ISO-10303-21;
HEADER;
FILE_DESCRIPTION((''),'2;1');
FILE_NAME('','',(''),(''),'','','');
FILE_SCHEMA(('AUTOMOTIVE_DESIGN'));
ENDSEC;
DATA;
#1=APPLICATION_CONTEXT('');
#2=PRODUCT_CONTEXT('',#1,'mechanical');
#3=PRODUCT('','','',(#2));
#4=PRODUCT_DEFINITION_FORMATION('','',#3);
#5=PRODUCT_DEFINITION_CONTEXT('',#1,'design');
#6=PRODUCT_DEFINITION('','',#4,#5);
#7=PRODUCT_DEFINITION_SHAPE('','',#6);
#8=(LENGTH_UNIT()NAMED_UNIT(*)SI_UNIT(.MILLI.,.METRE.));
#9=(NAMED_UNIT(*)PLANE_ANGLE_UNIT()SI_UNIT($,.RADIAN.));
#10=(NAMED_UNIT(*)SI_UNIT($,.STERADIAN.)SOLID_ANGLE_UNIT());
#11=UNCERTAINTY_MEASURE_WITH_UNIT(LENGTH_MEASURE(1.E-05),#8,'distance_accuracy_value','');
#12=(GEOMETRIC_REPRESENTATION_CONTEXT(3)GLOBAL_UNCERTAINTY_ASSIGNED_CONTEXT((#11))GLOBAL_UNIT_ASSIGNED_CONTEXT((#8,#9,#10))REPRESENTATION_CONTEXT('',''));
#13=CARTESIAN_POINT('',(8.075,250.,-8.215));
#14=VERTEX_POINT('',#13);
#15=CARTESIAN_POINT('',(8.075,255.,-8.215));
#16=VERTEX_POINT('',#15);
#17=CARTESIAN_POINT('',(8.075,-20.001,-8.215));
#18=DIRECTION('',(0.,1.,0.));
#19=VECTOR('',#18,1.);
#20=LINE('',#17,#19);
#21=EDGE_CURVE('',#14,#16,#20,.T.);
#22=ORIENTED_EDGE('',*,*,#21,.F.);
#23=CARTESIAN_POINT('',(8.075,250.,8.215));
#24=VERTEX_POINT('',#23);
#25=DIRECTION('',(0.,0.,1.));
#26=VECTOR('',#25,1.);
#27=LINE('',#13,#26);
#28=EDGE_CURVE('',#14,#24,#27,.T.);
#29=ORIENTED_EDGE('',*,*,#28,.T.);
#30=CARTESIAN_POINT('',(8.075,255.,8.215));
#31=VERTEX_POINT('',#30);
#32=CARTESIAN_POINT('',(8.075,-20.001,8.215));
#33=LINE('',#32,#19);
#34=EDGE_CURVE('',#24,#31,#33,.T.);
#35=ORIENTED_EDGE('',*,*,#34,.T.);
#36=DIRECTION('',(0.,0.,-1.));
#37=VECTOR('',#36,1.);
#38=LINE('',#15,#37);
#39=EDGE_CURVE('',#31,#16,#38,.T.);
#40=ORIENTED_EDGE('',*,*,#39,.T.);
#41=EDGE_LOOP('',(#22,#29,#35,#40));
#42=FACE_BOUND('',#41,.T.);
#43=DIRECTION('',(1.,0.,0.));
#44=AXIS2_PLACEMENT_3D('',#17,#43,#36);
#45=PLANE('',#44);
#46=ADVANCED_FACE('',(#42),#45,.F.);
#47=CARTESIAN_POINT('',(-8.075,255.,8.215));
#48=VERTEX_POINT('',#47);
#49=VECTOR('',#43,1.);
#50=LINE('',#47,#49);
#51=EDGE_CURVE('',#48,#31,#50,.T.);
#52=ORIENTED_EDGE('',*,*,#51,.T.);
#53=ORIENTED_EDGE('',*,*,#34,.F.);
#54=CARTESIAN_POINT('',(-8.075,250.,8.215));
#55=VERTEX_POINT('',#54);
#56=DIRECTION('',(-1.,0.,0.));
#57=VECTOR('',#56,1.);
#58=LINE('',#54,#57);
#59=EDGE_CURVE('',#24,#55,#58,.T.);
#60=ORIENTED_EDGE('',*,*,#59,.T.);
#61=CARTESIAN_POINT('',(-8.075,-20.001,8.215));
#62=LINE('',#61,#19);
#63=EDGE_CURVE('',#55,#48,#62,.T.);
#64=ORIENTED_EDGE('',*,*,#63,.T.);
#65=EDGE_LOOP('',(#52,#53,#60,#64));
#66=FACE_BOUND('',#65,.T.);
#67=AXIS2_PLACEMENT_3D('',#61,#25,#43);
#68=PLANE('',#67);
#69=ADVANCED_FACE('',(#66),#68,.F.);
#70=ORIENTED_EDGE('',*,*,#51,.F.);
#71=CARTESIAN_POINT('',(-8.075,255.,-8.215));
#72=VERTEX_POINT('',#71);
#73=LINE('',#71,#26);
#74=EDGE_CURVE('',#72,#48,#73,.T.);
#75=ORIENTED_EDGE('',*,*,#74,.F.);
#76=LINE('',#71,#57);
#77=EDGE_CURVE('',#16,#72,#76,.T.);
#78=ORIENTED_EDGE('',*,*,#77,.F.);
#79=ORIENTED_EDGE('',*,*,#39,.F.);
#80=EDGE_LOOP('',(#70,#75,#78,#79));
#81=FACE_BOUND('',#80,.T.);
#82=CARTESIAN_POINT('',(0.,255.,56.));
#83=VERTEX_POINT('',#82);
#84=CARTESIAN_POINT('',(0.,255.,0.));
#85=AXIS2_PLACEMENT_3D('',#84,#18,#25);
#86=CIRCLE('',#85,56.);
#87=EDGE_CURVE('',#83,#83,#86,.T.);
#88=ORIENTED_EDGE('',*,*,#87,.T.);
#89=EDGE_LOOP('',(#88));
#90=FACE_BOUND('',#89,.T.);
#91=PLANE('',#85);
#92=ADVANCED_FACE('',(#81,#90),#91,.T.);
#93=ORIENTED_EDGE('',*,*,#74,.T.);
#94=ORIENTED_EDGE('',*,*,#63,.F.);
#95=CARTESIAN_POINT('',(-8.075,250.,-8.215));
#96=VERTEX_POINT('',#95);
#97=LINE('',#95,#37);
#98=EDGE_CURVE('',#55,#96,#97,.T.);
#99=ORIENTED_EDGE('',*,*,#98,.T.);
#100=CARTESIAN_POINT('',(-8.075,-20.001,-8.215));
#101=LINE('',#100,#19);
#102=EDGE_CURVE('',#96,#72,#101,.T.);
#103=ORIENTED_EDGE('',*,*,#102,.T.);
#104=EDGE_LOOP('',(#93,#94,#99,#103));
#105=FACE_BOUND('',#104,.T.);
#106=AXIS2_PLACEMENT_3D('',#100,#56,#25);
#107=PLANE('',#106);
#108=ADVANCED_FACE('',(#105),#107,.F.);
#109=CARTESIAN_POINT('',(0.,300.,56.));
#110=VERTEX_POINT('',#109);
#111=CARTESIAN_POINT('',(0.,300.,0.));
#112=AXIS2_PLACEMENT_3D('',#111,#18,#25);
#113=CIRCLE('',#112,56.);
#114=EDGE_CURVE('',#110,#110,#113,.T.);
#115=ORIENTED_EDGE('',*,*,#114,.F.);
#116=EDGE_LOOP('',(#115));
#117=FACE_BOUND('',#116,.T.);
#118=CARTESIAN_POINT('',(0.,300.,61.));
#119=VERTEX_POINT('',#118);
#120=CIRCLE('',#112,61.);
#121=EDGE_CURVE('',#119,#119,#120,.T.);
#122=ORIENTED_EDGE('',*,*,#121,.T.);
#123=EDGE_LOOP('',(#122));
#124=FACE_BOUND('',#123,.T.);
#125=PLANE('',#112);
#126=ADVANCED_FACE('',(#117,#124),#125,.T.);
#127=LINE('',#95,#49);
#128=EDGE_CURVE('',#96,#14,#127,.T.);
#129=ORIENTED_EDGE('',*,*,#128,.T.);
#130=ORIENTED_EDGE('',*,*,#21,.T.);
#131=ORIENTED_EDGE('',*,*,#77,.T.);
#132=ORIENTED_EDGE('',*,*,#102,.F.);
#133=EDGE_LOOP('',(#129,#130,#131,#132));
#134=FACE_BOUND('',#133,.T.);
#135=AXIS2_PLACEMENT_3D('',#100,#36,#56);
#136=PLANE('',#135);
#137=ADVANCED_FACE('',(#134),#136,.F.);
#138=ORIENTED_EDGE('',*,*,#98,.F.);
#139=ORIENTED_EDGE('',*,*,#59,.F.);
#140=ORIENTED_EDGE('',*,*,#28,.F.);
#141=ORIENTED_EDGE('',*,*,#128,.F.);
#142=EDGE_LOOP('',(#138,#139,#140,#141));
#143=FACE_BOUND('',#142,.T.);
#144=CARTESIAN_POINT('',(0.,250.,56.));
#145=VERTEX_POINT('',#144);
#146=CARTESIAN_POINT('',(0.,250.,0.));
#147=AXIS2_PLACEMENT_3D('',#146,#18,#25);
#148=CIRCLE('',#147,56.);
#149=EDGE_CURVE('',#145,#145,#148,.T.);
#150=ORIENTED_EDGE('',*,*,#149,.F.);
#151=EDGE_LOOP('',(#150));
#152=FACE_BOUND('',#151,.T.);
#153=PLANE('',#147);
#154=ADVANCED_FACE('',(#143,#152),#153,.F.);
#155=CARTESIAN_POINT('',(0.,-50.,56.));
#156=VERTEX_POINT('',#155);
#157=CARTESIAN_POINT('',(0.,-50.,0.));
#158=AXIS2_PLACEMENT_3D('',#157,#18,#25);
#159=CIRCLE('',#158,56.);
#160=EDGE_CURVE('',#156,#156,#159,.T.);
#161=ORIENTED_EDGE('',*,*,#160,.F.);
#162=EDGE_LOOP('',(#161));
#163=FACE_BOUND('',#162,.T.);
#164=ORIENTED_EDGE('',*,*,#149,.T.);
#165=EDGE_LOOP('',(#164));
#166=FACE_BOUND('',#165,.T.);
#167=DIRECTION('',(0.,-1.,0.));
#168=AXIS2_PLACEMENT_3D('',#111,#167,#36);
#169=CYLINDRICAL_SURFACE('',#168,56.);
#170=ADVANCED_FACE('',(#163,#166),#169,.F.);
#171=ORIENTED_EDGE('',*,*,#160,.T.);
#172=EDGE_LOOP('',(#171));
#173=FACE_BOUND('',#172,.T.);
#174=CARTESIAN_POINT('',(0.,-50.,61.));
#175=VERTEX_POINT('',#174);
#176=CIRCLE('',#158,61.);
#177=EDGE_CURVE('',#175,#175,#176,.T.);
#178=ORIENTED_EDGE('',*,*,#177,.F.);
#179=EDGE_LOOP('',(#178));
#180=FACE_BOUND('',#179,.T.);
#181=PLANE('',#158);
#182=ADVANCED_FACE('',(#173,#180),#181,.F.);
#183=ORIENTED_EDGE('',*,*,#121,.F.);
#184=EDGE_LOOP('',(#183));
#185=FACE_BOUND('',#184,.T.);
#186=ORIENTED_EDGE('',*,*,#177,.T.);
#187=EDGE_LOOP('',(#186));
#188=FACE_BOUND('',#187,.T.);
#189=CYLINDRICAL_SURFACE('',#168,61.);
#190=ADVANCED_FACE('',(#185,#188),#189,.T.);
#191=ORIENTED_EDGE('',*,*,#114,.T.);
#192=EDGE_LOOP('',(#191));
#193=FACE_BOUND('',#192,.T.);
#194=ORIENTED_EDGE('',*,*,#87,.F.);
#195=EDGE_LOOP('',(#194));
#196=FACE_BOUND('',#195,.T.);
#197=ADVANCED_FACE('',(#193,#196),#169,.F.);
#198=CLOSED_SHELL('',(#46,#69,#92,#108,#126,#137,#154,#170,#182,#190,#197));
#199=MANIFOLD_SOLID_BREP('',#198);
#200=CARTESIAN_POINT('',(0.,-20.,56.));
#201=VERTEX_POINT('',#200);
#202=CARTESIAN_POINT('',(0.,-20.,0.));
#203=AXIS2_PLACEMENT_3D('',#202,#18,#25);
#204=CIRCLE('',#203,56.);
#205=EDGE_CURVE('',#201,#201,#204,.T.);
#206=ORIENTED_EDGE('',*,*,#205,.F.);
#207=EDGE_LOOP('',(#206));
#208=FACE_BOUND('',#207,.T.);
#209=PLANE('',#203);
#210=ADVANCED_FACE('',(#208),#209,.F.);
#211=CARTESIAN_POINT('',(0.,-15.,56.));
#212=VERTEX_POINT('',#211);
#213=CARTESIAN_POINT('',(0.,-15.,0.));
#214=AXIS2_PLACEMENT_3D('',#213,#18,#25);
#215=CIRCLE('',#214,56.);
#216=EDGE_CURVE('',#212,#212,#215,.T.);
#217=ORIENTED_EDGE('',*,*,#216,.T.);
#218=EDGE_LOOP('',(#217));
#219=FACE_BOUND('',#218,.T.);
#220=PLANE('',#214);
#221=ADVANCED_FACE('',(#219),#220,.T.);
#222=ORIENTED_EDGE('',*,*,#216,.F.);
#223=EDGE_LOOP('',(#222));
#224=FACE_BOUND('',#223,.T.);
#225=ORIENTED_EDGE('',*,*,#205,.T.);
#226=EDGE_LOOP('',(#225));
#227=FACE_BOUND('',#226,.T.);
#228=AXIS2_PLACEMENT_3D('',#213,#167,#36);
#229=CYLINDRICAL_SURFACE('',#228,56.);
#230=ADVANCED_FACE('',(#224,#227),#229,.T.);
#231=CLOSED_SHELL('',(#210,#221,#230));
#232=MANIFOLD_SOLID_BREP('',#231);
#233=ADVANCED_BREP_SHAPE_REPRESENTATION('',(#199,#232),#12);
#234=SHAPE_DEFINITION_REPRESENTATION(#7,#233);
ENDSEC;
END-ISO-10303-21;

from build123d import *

# Parameters (mm, degrees)
SKETCH1_R           = 61
SKETCH1_R_2         = 56
BOSS_EXTRUDE1_DEPTH = 300
SKETCH3_R           = 56
BOSS_EXTRUDE2_DEPTH = 5
SKETCH5_R           = 56
BOSS_EXTRUDE3_DEPTH = 5
SKETCH6_W           = 16.15
SKETCH6_H           = 16.43
CUT_EXTRUDE2_DEPTH  = 5
BOSS_EXTRUDE4_START = -50
SKETCH1_3_R         = 61
SKETCH1_3_R_2       = 56
BOSS_EXTRUDE4_DEPTH = 50


with BuildPart() as part:
    # Sketch1 → Boss-Extrude1 (new body)
    with BuildSketch(Plane(origin=(0, 0, 0), x_dir=(1, 0, 0), z_dir=(0, 1, 0))):
        with Locations(Location((0, 0, 0), (0, 0, 270))):
            Circle(SKETCH1_R)
        with Locations(Location((0, 0, 0), (0, 0, 270))):
            Circle(SKETCH1_R_2, mode=Mode.SUBTRACT)
    extrude(amount=BOSS_EXTRUDE1_DEPTH)

    # Sketch5 → Boss-Extrude3 (add)
    with BuildSketch(Plane(origin=(0, 250, 0), x_dir=(1, 0, 0), z_dir=(0, 1, 0))):
        with Locations(Location((0, 0, 0), (0, 0, 270))):
            Circle(SKETCH5_R)
    extrude(amount=BOSS_EXTRUDE3_DEPTH)

    # Sketch6 → Cut-Extrude2 (cut)
    with BuildSketch(Plane(origin=(0, 255, 0), x_dir=(1, 0, 0), z_dir=(0, 1, 0))):
        Rectangle(SKETCH6_W, SKETCH6_H)
    extrude(amount=-CUT_EXTRUDE2_DEPTH, mode=Mode.SUBTRACT)

    # Sketch1<3> → Boss-Extrude4 (add)
    with BuildSketch(Plane(origin=(0, 0, 0), x_dir=(1, 0, 0), z_dir=(0, 1, 0)).offset(BOSS_EXTRUDE4_START)):
        with Locations(Location((0, 0, 0), (0, 0, 270))):
            Circle(SKETCH1_3_R)
        with Locations(Location((0, 0, 0), (0, 0, 270))):
            Circle(SKETCH1_3_R_2, mode=Mode.SUBTRACT)
    extrude(amount=BOSS_EXTRUDE4_DEPTH)


with BuildPart() as body_2:
    # Sketch3 → Boss-Extrude2 (new body)
    with BuildSketch(Plane(origin=(0, -20, 0), x_dir=(1, 0, 0), z_dir=(0, 1, 0))):
        with Locations(Location((0, 0, 0), (0, 0, 270))):
            Circle(SKETCH3_R)
    extrude(amount=BOSS_EXTRUDE2_DEPTH)


solid = Compound([part.part, body_2.part])
